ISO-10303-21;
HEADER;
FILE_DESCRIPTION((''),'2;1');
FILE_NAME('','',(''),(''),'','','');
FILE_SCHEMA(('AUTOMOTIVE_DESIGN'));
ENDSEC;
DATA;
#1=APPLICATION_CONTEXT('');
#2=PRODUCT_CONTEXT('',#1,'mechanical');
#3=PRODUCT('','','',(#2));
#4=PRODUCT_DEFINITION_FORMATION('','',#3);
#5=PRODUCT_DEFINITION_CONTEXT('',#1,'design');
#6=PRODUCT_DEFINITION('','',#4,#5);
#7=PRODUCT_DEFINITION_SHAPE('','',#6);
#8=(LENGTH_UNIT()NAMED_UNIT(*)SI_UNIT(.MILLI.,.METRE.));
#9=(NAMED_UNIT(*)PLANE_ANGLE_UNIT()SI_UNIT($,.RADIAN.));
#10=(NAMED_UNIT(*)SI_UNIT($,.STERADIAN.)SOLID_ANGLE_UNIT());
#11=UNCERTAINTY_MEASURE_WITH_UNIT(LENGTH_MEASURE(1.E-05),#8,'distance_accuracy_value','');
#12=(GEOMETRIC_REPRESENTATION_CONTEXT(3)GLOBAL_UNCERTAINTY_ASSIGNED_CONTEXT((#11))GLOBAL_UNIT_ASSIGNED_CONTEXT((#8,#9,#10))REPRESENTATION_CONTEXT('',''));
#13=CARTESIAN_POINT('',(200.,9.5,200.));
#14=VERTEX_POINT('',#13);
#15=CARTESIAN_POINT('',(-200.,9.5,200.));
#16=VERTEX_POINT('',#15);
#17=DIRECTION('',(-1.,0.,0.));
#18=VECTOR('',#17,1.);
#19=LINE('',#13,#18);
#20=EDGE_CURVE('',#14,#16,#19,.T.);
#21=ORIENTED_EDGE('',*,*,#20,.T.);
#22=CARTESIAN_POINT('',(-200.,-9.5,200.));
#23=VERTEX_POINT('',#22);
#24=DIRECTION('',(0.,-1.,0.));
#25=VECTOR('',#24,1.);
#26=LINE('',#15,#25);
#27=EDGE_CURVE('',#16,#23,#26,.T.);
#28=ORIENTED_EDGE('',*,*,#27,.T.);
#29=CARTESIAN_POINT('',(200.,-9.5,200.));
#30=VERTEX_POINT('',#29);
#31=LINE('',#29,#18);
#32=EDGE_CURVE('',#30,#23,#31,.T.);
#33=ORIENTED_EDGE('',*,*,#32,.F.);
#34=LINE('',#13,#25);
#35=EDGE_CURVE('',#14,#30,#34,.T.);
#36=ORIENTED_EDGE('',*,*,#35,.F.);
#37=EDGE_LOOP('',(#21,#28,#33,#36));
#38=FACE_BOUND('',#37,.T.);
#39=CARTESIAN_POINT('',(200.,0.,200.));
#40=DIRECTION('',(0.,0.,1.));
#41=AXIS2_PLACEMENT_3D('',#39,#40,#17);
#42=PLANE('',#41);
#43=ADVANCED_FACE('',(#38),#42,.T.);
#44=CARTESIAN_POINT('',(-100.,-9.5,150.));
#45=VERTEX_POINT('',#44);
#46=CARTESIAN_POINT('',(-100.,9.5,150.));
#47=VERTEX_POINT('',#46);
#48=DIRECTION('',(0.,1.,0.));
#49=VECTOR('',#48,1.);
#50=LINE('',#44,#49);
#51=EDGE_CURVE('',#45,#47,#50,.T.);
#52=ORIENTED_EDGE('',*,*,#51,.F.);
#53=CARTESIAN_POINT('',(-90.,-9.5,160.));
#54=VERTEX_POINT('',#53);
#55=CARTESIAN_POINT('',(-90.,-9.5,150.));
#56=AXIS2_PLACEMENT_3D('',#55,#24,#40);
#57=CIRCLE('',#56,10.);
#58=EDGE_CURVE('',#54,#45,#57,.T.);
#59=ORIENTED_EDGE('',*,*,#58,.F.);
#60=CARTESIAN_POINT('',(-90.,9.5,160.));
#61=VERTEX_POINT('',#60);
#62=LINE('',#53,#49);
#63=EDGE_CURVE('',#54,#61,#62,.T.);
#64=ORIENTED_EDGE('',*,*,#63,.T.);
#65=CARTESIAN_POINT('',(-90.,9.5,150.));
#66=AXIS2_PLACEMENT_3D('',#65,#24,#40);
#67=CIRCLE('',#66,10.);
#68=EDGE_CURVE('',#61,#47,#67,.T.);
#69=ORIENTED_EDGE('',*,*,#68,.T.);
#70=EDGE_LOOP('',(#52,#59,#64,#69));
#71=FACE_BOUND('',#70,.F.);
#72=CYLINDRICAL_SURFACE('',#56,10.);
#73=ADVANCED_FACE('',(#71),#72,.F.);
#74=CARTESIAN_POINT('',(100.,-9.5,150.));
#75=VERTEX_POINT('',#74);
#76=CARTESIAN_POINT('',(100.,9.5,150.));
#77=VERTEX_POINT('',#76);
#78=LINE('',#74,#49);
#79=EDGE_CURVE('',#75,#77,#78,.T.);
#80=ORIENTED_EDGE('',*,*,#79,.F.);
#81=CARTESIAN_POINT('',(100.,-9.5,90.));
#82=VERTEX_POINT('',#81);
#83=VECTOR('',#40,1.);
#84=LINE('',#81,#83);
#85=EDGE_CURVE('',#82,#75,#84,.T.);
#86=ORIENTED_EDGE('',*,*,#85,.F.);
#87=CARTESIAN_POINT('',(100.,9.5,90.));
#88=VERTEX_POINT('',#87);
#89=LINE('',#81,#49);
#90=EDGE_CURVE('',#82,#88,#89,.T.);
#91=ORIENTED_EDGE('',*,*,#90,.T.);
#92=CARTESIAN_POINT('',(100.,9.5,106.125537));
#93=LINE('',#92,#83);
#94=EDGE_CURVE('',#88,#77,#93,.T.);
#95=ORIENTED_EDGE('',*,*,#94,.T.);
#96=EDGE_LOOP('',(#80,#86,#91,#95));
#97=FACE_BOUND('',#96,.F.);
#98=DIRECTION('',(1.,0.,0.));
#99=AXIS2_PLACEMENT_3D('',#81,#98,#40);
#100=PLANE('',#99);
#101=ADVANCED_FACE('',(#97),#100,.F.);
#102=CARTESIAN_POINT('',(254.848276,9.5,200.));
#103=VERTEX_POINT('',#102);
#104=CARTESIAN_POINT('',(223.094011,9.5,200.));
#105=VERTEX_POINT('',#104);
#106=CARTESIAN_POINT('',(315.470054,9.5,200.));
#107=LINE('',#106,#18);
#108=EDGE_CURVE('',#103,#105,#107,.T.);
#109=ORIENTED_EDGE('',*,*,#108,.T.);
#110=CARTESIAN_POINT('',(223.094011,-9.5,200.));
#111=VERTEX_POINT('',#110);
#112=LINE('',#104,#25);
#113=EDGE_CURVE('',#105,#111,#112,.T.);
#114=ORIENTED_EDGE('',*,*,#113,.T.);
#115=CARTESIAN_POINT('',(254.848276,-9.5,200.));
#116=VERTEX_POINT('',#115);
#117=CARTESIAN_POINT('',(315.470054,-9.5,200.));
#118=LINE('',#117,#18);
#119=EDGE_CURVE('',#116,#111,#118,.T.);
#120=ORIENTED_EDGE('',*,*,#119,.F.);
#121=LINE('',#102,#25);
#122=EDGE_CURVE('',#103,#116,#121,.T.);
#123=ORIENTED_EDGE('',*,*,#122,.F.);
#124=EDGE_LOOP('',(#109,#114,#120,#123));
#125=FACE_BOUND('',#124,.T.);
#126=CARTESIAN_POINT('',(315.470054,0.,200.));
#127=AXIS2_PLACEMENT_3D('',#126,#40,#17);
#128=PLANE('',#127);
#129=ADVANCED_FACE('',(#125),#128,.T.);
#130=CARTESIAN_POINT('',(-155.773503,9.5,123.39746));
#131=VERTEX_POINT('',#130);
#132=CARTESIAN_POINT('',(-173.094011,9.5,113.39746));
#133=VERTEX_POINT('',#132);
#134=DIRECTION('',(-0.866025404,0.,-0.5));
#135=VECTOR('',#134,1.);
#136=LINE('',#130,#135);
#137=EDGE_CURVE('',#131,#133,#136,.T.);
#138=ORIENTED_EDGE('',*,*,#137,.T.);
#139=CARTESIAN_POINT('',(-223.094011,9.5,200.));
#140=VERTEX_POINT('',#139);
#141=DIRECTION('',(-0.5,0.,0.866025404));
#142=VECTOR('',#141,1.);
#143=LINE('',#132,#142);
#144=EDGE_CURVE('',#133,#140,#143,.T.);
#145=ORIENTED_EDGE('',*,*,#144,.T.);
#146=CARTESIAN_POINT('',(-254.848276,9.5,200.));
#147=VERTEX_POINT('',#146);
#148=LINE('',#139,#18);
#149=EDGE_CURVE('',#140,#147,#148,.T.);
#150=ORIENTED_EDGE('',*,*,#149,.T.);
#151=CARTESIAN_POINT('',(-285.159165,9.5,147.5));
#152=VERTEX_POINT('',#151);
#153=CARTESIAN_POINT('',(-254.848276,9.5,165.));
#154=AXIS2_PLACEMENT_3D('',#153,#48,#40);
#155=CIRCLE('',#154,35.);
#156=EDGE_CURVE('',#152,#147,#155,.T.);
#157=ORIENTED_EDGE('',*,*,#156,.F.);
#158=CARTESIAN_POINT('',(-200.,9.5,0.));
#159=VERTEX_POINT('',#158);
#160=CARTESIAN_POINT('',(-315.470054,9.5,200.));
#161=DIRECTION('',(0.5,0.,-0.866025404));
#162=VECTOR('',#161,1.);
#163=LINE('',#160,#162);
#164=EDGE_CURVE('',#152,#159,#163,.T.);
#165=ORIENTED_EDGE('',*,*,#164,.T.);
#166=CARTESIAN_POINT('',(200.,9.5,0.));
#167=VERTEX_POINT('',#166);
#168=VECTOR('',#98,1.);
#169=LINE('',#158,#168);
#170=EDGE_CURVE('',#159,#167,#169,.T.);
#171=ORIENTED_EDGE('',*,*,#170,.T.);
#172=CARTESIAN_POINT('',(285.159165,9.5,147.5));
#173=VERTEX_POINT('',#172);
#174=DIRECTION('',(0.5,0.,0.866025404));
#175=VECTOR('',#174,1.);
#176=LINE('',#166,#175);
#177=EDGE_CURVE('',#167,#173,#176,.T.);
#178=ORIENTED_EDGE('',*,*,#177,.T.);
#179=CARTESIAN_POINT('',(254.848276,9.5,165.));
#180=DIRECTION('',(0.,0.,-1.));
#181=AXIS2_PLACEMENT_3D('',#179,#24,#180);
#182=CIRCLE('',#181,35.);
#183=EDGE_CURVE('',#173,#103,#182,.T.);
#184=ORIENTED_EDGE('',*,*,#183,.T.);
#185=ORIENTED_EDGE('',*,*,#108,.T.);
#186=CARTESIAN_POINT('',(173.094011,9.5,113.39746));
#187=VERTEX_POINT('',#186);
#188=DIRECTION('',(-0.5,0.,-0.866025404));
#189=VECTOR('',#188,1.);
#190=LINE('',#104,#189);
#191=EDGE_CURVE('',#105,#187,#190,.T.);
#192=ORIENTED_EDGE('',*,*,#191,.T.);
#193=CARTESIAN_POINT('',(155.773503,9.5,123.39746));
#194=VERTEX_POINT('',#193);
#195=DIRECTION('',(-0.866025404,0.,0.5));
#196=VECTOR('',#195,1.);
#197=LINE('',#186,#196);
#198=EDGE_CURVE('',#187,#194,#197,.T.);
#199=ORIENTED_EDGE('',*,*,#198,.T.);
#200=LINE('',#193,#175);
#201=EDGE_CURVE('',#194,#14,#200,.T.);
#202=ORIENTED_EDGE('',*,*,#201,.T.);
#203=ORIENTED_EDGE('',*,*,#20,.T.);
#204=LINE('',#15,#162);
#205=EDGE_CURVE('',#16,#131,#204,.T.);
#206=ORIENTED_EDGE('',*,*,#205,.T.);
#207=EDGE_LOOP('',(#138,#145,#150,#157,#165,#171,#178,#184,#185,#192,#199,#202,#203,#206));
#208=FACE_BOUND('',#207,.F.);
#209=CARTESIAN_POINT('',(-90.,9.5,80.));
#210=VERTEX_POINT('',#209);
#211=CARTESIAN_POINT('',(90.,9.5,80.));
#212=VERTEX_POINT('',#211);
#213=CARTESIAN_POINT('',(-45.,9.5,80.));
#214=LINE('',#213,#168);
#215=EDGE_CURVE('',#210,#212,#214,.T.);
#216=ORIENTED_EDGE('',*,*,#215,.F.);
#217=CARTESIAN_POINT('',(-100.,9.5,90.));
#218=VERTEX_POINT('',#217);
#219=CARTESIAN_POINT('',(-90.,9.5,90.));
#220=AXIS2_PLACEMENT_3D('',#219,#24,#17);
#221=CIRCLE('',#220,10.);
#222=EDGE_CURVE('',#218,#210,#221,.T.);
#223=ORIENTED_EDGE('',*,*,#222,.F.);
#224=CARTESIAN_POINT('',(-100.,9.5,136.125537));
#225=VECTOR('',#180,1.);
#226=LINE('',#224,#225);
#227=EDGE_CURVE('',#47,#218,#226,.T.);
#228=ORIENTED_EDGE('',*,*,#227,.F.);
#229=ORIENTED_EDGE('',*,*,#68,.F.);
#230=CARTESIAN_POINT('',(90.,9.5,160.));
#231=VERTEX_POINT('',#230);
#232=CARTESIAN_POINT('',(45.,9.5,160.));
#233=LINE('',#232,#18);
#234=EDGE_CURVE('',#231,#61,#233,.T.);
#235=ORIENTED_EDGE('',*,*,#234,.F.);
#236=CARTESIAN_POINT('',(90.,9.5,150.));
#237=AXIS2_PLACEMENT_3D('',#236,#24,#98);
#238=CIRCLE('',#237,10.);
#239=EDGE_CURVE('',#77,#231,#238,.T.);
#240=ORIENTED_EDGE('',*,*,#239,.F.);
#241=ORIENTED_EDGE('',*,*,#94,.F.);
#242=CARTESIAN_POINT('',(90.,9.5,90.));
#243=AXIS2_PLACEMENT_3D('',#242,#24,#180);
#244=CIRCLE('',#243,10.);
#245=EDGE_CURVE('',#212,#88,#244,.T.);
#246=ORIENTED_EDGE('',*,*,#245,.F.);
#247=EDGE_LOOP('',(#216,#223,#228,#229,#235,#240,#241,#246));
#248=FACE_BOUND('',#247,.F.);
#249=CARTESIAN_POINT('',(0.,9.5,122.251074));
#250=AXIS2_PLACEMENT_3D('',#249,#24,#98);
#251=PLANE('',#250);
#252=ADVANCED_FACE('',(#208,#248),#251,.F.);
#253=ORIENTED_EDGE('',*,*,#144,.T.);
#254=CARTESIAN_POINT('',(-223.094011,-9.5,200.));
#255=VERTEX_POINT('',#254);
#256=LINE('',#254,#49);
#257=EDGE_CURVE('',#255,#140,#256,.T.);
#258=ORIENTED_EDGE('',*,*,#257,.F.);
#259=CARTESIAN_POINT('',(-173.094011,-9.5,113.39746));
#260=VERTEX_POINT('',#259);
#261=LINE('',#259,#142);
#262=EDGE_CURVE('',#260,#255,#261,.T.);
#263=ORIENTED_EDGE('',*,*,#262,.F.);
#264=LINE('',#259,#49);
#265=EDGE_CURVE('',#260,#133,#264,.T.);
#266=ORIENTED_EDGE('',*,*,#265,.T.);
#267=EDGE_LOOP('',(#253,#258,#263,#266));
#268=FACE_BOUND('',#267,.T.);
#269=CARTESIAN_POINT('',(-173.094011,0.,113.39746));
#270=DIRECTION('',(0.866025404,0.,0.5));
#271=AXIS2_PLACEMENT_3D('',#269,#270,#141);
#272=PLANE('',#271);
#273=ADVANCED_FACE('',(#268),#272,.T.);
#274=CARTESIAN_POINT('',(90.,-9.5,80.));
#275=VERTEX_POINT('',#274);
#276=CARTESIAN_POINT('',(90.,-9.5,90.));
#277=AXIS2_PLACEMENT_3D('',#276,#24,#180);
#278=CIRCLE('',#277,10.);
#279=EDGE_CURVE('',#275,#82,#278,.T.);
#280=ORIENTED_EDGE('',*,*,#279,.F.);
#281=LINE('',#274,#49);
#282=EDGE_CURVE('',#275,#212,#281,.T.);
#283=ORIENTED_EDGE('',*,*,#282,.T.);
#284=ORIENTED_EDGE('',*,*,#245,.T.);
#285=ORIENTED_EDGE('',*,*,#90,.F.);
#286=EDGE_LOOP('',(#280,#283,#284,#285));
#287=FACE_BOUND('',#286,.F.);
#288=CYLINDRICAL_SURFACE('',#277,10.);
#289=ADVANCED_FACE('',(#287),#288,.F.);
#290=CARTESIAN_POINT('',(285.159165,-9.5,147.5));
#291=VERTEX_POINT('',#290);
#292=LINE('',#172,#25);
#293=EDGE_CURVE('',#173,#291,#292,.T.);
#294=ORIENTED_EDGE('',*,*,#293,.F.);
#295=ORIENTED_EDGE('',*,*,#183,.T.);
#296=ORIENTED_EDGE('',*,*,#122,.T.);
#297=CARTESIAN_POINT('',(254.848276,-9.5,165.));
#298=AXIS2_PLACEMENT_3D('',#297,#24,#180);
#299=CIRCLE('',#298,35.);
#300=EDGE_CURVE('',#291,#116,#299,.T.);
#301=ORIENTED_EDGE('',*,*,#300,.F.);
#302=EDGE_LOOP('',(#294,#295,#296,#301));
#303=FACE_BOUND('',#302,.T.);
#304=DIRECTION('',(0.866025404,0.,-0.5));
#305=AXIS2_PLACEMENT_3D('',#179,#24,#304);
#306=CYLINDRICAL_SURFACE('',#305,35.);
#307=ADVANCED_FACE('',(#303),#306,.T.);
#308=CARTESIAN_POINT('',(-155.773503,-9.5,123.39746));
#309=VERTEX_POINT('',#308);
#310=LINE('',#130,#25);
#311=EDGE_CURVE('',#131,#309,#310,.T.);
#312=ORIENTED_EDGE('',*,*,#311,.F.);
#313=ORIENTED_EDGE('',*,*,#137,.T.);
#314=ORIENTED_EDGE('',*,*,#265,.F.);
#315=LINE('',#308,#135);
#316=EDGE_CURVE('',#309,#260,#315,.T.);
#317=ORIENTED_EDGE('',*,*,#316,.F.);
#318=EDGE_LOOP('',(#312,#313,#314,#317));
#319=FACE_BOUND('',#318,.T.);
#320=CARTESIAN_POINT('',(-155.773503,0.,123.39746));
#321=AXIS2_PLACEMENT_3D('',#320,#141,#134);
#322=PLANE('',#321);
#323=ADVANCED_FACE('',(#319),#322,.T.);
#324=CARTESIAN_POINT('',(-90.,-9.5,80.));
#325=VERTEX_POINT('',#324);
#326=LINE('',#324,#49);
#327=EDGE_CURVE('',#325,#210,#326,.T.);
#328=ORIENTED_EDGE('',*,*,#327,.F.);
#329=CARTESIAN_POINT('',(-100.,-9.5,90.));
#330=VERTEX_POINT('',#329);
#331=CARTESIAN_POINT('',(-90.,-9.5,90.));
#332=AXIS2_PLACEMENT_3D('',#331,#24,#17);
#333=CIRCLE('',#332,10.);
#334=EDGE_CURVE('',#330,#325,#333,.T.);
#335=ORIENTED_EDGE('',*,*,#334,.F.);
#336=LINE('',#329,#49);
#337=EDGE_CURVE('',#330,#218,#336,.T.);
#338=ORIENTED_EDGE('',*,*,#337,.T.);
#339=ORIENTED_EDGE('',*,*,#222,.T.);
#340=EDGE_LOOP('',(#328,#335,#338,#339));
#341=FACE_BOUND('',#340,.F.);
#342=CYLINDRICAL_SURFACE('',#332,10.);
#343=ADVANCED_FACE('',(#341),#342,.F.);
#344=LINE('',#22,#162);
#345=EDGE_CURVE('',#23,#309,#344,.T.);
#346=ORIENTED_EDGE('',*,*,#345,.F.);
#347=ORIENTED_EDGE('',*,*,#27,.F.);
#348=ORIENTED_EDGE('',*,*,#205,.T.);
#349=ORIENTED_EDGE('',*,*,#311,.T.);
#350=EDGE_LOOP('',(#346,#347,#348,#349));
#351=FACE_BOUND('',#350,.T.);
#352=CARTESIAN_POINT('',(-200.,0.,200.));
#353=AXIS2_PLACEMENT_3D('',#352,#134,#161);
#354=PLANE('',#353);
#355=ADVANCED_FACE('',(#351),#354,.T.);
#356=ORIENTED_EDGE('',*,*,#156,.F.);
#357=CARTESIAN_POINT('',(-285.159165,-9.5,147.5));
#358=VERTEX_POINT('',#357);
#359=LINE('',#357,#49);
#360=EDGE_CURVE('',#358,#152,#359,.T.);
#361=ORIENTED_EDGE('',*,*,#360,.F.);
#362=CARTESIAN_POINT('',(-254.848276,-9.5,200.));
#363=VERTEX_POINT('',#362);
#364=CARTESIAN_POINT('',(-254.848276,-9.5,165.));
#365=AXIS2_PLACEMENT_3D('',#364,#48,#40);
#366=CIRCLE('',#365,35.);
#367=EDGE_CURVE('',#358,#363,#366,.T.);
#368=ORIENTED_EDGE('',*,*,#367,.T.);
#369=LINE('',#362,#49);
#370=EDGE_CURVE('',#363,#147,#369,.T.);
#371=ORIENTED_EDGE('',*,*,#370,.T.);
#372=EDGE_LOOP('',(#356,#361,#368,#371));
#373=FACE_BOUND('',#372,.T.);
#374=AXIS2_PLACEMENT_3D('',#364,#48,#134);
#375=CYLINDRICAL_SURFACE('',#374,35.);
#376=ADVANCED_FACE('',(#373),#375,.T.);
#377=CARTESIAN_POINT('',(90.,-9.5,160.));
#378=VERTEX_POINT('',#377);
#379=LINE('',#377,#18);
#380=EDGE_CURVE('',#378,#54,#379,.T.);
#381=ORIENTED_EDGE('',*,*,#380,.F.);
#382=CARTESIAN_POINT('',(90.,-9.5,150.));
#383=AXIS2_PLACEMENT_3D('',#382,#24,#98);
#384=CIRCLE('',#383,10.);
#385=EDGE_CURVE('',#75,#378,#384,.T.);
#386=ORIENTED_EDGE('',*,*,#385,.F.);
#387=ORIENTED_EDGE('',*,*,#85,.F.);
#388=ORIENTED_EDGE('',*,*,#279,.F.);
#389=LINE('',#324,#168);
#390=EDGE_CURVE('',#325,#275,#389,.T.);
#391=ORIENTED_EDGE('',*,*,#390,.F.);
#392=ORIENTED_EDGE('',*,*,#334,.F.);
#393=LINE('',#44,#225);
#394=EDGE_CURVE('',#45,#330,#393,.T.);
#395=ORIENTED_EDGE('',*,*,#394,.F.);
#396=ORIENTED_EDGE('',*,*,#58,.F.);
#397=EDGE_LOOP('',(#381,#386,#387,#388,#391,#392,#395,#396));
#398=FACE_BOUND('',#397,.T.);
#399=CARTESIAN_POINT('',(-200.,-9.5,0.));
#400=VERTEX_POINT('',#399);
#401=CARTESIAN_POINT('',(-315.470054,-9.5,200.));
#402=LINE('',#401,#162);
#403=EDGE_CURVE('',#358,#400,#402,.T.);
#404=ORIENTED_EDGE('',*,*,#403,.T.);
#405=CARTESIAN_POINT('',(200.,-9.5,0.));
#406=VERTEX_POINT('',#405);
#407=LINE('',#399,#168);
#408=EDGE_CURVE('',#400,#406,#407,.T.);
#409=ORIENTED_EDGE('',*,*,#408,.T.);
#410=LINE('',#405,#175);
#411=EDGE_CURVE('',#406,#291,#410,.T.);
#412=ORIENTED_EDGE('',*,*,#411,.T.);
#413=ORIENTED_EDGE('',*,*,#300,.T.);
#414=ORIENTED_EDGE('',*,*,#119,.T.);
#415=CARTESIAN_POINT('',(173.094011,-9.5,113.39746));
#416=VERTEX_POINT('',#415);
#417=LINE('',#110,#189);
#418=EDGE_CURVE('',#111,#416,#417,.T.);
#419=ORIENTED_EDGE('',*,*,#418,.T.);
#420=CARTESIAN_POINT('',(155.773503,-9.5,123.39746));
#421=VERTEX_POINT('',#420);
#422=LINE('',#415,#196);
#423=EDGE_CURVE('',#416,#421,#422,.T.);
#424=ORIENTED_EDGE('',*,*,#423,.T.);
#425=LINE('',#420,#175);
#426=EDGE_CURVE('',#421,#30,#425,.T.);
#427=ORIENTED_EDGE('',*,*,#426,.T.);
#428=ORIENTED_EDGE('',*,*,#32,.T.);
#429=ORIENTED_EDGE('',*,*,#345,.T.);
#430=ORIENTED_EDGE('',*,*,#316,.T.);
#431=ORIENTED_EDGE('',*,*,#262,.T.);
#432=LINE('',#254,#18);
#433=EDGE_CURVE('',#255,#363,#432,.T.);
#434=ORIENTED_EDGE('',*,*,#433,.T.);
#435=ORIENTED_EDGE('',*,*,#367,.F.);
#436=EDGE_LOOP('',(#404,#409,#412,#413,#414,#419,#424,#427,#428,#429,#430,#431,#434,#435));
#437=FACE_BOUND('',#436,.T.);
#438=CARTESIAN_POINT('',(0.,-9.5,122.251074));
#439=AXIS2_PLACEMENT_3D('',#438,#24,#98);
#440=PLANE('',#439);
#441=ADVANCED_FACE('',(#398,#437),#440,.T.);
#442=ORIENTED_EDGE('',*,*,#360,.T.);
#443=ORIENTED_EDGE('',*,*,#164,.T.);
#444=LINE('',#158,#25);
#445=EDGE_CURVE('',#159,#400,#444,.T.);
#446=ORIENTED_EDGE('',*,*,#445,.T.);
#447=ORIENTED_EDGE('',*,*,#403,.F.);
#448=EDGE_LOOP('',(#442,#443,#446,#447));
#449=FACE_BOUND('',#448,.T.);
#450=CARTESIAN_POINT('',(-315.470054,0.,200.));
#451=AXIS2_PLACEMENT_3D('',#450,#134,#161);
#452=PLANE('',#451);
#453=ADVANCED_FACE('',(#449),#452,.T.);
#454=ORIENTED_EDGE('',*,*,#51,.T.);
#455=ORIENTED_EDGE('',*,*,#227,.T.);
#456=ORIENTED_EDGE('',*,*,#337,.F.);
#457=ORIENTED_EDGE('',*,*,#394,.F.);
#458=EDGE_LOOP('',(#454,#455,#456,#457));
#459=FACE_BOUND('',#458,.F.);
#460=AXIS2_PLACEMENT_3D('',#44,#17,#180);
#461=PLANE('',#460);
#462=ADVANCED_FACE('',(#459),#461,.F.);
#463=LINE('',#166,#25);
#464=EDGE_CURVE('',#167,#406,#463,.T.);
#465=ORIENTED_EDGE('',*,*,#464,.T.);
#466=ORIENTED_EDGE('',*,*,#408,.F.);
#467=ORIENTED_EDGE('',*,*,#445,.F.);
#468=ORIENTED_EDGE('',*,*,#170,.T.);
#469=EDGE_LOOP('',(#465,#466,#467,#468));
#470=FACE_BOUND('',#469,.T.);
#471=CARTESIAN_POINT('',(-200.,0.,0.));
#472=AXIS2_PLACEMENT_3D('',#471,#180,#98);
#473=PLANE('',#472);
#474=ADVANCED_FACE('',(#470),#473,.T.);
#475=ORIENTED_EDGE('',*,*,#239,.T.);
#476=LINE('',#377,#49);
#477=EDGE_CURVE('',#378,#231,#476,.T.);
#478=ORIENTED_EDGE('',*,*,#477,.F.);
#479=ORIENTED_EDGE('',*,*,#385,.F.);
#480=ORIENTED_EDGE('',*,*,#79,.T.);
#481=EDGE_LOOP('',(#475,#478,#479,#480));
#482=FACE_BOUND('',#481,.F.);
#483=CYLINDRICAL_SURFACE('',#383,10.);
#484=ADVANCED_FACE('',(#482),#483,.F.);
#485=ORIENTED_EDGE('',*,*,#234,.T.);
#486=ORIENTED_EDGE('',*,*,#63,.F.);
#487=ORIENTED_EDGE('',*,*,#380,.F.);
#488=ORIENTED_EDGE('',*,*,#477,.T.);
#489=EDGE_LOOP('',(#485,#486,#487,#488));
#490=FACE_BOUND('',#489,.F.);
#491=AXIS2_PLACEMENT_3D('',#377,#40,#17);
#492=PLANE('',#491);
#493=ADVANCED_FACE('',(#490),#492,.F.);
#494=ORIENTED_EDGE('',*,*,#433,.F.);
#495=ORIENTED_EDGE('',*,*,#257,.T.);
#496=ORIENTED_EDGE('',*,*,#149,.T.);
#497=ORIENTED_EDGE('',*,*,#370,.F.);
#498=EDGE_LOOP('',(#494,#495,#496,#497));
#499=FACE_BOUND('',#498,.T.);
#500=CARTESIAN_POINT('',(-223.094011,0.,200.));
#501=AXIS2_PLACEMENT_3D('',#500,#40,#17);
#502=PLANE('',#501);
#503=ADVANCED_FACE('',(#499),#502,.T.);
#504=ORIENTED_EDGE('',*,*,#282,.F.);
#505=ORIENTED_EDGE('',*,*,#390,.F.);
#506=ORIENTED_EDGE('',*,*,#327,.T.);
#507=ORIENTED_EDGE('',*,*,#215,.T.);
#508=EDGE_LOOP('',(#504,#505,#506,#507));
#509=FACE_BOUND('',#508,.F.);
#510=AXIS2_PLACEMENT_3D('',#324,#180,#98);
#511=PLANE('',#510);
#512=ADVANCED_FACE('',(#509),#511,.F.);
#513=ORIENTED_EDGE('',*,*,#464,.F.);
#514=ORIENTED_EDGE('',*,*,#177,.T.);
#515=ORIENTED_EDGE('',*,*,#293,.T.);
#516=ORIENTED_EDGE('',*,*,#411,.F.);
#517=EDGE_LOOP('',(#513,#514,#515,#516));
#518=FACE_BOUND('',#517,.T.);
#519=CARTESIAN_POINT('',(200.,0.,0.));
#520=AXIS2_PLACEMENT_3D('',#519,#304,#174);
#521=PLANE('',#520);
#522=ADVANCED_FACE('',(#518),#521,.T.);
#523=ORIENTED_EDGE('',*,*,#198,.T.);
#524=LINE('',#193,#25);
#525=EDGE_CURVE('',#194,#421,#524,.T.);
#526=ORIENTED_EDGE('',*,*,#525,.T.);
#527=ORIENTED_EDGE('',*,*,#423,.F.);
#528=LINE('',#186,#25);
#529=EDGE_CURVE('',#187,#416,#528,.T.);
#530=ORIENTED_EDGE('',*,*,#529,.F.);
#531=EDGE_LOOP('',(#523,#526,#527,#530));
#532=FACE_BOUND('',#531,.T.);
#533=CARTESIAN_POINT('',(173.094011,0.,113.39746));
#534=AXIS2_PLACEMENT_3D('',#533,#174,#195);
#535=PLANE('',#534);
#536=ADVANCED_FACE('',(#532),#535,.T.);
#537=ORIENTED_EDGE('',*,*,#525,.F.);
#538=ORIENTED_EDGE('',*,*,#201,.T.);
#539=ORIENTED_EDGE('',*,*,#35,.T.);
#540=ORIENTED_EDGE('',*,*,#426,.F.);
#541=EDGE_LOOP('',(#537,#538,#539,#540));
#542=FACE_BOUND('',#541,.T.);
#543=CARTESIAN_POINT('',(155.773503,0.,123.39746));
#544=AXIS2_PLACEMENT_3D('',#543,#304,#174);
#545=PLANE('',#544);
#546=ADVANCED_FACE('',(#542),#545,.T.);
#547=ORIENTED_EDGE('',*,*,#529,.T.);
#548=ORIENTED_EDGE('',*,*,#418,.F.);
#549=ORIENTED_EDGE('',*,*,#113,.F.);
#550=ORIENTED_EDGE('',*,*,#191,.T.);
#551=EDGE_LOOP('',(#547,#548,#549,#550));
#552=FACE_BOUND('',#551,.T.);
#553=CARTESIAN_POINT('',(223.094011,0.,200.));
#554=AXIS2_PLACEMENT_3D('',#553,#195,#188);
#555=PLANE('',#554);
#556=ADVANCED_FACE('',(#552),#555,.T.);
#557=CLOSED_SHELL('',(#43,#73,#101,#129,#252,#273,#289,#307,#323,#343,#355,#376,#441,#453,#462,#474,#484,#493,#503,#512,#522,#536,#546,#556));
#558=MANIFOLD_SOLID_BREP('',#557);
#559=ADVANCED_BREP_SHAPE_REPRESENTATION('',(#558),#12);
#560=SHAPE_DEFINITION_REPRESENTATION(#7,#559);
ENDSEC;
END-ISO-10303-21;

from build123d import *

# Parameters (mm, degrees)
F1_DEPTH = 9.5
F3_DEPTH = 25
F4_R     = 35


with BuildPart() as f1:
    # F0 (on Front) → F1 (new body, symmetric)
    with BuildSketch(Plane.XZ):
        Polygon((-315.4700538379, 200), (-200, 0), (200, 0), (315.4700538379, 200), (223.0940107676, 200), (173.0940107676, 113.3974596216), (155.7735026919, 123.3974596216), (200, 200), (-200, 200), (-155.7735026919, 123.3974596216), (-173.0940107676, 113.3974596216), (-223.0940107676, 200), align=None)
    extrude(amount=F1_DEPTH, both=True)

    # F2 (on face) → F3 (cut)
    with BuildSketch(Plane.XZ.offset(9.5)):
        with BuildLine():
            Line((90, 160), (-90, 160))
            ThreePointArc((-90, 160), (-97.0710678119, 157.0710678119), (-100, 150))
            Line((-100, 150), (-100, 90))
            ThreePointArc((-100, 90), (-97.0710678119, 82.9289321881), (-90, 80))
            Line((-90, 80), (90, 80))
            ThreePointArc((90, 80), (97.0710678119, 82.9289321881), (100, 90))
            Line((100, 90), (100, 150))
            ThreePointArc((100, 150), (97.0710678119, 157.0710678119), (90, 160))
        make_face()
    extrude(amount=-F3_DEPTH, mode=Mode.SUBTRACT)

    # F4
    f4_edges = [f1.edges().sort_by_distance(p)[0] for p in [
        (-315.470054, 0, 200),
        (315.470054, 0, 200),
    ]]
    fillet(f4_edges, radius=F4_R)


solid = f1.part
